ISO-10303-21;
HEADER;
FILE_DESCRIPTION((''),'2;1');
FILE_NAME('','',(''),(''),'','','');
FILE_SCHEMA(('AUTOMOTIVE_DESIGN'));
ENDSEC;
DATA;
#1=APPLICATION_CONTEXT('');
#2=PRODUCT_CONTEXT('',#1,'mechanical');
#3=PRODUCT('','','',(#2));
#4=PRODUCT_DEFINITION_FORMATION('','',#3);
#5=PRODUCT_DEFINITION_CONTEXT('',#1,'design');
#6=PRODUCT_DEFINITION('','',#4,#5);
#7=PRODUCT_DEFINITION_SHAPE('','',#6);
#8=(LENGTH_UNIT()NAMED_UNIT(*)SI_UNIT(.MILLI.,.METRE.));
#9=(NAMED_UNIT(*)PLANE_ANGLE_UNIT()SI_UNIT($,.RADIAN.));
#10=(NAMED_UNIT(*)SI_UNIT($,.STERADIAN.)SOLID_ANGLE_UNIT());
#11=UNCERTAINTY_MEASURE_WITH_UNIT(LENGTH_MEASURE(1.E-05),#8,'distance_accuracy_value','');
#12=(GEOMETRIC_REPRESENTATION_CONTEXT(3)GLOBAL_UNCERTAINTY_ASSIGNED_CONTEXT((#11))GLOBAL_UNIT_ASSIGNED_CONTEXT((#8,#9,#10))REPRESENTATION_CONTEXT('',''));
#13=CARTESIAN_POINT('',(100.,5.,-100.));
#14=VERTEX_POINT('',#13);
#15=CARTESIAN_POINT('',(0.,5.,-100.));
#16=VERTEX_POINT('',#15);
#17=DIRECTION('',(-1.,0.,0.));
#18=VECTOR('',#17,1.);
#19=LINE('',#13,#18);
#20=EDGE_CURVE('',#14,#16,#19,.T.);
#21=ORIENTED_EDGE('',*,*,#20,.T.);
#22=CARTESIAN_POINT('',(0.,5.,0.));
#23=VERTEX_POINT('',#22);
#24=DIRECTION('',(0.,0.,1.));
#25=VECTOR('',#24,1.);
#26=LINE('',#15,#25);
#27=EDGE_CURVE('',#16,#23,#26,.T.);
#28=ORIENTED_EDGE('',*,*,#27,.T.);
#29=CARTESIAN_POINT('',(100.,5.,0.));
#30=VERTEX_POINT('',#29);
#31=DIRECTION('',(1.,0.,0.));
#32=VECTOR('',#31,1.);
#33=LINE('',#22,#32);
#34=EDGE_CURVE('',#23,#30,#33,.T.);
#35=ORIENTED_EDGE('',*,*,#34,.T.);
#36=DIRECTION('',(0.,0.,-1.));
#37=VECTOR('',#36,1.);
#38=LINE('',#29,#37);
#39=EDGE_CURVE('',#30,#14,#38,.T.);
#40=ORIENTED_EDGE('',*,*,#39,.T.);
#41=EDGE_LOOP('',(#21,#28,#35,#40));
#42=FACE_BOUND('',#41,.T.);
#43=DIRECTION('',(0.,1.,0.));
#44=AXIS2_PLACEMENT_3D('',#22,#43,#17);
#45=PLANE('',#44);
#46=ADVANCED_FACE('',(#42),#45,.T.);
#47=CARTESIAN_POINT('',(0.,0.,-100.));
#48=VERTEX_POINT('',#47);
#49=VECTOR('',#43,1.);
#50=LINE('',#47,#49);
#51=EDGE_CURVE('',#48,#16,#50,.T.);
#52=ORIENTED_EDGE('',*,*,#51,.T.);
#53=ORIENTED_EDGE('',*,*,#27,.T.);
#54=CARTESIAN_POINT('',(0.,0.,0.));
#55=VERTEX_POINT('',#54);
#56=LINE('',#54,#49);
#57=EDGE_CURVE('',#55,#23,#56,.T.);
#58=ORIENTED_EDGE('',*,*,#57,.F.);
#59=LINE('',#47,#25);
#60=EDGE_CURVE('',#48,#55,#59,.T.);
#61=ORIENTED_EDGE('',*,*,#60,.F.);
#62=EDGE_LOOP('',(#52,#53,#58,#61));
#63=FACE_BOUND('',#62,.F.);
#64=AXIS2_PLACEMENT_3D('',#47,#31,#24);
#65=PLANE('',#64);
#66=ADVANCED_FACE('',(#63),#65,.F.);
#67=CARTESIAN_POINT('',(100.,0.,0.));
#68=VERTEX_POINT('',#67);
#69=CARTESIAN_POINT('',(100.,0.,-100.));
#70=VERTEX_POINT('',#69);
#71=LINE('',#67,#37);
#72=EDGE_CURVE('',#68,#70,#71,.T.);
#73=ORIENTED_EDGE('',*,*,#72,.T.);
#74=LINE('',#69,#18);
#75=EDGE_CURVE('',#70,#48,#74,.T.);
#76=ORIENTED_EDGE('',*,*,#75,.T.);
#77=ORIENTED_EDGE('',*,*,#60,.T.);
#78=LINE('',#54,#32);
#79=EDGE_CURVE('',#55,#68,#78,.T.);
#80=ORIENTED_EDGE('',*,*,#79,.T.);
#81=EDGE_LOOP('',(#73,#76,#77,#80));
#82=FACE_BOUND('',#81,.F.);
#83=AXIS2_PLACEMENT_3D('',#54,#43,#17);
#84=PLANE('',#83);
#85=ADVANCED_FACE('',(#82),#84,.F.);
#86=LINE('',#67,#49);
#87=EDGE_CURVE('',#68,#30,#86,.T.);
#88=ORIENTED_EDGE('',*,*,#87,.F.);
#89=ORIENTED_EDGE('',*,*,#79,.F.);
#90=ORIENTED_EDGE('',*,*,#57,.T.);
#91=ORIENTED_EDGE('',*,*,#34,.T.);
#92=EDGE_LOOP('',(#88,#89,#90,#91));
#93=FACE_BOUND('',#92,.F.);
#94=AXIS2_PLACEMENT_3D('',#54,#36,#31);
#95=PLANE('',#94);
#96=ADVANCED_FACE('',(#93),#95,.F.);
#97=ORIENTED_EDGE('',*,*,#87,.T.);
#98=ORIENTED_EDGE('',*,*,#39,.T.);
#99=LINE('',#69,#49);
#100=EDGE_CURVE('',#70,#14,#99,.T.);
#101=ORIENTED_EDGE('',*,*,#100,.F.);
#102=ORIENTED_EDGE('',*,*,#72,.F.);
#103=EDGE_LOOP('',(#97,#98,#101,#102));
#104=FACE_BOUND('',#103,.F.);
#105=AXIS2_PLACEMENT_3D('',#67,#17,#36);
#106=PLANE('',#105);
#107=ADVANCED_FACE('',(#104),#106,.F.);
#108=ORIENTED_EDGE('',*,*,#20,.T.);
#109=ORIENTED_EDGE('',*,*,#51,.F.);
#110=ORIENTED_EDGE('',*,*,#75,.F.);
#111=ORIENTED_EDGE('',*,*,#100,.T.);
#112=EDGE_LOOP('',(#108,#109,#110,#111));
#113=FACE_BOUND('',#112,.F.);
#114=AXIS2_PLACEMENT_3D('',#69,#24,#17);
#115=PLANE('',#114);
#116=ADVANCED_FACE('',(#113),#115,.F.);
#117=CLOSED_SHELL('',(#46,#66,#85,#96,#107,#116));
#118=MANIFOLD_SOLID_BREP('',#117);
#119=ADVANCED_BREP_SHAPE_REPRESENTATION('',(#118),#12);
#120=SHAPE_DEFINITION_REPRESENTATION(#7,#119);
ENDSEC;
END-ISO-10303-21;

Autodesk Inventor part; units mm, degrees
ref_plane "YZ Plane" through (0, 0, 0) normal (1, 0, 0) x (0, 1, 0)
ref_plane "XZ Plane" through (0, 0, 0) normal (0, 1, 0) x (-1, 0, 0)
ref_plane "XY Plane" through (0, 0, 0) normal (0, 0, 1) x (1, 0, 0)
sketch "Szkic1" plane through (0, 0, 0) normal (0, 1, 0) x (-1, 0, 0)
  line L0 (0, 0) -> (-100, 0)
  line L1 (-100, 0) -> (-100, -100)
  line L2 (-100, -100) -> (0, -100)
  line L3 (0, -100) -> (0, 0)
  dimension "d0" = 100
  dimension "d1" = 100
extrude "Wyciągnięcie proste1" add sketch "Szkic1" along normal blind 5
properties part number "temp"
